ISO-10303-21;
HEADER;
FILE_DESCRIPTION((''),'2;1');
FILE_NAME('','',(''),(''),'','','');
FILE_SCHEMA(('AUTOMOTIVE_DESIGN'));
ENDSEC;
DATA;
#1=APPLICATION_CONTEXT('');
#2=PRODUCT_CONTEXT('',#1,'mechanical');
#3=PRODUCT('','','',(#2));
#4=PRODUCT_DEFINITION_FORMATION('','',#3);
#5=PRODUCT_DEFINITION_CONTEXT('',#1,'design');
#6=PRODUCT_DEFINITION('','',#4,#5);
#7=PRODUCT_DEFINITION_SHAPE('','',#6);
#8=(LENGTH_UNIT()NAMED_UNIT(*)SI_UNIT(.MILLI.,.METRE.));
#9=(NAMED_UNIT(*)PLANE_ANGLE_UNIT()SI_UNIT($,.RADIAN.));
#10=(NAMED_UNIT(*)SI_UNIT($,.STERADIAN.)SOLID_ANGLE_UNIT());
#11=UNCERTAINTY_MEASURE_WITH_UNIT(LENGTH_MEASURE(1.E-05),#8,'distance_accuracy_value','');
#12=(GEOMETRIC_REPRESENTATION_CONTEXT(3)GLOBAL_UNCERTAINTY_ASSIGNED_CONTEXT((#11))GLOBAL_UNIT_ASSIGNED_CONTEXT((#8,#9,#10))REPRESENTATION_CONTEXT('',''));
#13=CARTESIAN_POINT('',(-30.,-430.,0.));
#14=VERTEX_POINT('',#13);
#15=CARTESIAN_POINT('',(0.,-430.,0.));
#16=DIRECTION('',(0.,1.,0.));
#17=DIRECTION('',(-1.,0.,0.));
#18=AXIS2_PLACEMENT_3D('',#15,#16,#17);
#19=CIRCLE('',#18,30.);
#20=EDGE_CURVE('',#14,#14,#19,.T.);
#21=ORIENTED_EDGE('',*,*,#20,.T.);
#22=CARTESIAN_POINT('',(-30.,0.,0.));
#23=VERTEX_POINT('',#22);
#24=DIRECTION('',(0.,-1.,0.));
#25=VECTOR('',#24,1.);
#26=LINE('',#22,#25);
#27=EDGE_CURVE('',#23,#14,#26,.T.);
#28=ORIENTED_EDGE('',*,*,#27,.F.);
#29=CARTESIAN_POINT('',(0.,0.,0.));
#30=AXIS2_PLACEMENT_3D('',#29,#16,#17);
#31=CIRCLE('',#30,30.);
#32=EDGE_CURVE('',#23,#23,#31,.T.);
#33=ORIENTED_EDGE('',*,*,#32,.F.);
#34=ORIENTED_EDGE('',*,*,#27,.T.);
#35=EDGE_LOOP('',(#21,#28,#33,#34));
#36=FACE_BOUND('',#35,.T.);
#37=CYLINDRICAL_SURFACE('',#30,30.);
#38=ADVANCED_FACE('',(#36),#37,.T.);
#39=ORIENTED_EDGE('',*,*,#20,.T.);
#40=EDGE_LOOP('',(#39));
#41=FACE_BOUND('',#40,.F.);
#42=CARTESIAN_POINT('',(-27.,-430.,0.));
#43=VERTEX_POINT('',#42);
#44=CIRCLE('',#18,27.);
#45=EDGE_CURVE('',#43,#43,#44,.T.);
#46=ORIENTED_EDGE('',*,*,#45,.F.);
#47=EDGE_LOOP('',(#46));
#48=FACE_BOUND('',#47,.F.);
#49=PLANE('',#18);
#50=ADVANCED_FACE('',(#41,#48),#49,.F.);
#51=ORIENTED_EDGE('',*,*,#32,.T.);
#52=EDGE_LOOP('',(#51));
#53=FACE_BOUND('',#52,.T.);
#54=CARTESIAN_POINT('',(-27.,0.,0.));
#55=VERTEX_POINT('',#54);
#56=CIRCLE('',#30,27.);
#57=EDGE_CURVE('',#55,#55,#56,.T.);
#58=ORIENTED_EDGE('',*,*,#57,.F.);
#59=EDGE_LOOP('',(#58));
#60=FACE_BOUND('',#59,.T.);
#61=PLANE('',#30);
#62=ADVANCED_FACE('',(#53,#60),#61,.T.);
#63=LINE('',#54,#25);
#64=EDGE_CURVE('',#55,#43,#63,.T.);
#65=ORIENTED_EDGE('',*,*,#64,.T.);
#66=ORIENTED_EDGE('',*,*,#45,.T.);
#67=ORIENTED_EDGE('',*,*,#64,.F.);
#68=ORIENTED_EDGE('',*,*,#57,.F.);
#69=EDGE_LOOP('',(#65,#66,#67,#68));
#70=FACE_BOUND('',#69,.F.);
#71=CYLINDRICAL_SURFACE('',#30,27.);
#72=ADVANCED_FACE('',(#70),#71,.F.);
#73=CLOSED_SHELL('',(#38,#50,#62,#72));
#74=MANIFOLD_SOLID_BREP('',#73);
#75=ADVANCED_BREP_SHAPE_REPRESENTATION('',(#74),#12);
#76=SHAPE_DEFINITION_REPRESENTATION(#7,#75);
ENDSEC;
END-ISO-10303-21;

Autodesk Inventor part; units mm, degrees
ref_plane "YZ Plane" through (0, 0, 0) normal (1, 0, 0) x (0, 1, 0)
ref_plane "XZ Plane" through (0, 0, 0) normal (0, 1, 0) x (-1, 0, 0)
ref_plane "XY Plane" through (0, 0, 0) normal (0, 0, 1) x (1, 0, 0)
sketch "Sketch1" plane through (0, 0, 0) normal (0, 1, 0) x (-1, 0, 0)
  circle A0 centre (0, 0) radius 30
  circle A1 centre (0, 0) radius 27
  dimension "d0" = 60
  dimension "d1" = 3
extrude "Extrusion1" add sketch "Sketch1" against normal blind 430
properties part number "PNS 1774 FDS tube 9" material "Steel"
